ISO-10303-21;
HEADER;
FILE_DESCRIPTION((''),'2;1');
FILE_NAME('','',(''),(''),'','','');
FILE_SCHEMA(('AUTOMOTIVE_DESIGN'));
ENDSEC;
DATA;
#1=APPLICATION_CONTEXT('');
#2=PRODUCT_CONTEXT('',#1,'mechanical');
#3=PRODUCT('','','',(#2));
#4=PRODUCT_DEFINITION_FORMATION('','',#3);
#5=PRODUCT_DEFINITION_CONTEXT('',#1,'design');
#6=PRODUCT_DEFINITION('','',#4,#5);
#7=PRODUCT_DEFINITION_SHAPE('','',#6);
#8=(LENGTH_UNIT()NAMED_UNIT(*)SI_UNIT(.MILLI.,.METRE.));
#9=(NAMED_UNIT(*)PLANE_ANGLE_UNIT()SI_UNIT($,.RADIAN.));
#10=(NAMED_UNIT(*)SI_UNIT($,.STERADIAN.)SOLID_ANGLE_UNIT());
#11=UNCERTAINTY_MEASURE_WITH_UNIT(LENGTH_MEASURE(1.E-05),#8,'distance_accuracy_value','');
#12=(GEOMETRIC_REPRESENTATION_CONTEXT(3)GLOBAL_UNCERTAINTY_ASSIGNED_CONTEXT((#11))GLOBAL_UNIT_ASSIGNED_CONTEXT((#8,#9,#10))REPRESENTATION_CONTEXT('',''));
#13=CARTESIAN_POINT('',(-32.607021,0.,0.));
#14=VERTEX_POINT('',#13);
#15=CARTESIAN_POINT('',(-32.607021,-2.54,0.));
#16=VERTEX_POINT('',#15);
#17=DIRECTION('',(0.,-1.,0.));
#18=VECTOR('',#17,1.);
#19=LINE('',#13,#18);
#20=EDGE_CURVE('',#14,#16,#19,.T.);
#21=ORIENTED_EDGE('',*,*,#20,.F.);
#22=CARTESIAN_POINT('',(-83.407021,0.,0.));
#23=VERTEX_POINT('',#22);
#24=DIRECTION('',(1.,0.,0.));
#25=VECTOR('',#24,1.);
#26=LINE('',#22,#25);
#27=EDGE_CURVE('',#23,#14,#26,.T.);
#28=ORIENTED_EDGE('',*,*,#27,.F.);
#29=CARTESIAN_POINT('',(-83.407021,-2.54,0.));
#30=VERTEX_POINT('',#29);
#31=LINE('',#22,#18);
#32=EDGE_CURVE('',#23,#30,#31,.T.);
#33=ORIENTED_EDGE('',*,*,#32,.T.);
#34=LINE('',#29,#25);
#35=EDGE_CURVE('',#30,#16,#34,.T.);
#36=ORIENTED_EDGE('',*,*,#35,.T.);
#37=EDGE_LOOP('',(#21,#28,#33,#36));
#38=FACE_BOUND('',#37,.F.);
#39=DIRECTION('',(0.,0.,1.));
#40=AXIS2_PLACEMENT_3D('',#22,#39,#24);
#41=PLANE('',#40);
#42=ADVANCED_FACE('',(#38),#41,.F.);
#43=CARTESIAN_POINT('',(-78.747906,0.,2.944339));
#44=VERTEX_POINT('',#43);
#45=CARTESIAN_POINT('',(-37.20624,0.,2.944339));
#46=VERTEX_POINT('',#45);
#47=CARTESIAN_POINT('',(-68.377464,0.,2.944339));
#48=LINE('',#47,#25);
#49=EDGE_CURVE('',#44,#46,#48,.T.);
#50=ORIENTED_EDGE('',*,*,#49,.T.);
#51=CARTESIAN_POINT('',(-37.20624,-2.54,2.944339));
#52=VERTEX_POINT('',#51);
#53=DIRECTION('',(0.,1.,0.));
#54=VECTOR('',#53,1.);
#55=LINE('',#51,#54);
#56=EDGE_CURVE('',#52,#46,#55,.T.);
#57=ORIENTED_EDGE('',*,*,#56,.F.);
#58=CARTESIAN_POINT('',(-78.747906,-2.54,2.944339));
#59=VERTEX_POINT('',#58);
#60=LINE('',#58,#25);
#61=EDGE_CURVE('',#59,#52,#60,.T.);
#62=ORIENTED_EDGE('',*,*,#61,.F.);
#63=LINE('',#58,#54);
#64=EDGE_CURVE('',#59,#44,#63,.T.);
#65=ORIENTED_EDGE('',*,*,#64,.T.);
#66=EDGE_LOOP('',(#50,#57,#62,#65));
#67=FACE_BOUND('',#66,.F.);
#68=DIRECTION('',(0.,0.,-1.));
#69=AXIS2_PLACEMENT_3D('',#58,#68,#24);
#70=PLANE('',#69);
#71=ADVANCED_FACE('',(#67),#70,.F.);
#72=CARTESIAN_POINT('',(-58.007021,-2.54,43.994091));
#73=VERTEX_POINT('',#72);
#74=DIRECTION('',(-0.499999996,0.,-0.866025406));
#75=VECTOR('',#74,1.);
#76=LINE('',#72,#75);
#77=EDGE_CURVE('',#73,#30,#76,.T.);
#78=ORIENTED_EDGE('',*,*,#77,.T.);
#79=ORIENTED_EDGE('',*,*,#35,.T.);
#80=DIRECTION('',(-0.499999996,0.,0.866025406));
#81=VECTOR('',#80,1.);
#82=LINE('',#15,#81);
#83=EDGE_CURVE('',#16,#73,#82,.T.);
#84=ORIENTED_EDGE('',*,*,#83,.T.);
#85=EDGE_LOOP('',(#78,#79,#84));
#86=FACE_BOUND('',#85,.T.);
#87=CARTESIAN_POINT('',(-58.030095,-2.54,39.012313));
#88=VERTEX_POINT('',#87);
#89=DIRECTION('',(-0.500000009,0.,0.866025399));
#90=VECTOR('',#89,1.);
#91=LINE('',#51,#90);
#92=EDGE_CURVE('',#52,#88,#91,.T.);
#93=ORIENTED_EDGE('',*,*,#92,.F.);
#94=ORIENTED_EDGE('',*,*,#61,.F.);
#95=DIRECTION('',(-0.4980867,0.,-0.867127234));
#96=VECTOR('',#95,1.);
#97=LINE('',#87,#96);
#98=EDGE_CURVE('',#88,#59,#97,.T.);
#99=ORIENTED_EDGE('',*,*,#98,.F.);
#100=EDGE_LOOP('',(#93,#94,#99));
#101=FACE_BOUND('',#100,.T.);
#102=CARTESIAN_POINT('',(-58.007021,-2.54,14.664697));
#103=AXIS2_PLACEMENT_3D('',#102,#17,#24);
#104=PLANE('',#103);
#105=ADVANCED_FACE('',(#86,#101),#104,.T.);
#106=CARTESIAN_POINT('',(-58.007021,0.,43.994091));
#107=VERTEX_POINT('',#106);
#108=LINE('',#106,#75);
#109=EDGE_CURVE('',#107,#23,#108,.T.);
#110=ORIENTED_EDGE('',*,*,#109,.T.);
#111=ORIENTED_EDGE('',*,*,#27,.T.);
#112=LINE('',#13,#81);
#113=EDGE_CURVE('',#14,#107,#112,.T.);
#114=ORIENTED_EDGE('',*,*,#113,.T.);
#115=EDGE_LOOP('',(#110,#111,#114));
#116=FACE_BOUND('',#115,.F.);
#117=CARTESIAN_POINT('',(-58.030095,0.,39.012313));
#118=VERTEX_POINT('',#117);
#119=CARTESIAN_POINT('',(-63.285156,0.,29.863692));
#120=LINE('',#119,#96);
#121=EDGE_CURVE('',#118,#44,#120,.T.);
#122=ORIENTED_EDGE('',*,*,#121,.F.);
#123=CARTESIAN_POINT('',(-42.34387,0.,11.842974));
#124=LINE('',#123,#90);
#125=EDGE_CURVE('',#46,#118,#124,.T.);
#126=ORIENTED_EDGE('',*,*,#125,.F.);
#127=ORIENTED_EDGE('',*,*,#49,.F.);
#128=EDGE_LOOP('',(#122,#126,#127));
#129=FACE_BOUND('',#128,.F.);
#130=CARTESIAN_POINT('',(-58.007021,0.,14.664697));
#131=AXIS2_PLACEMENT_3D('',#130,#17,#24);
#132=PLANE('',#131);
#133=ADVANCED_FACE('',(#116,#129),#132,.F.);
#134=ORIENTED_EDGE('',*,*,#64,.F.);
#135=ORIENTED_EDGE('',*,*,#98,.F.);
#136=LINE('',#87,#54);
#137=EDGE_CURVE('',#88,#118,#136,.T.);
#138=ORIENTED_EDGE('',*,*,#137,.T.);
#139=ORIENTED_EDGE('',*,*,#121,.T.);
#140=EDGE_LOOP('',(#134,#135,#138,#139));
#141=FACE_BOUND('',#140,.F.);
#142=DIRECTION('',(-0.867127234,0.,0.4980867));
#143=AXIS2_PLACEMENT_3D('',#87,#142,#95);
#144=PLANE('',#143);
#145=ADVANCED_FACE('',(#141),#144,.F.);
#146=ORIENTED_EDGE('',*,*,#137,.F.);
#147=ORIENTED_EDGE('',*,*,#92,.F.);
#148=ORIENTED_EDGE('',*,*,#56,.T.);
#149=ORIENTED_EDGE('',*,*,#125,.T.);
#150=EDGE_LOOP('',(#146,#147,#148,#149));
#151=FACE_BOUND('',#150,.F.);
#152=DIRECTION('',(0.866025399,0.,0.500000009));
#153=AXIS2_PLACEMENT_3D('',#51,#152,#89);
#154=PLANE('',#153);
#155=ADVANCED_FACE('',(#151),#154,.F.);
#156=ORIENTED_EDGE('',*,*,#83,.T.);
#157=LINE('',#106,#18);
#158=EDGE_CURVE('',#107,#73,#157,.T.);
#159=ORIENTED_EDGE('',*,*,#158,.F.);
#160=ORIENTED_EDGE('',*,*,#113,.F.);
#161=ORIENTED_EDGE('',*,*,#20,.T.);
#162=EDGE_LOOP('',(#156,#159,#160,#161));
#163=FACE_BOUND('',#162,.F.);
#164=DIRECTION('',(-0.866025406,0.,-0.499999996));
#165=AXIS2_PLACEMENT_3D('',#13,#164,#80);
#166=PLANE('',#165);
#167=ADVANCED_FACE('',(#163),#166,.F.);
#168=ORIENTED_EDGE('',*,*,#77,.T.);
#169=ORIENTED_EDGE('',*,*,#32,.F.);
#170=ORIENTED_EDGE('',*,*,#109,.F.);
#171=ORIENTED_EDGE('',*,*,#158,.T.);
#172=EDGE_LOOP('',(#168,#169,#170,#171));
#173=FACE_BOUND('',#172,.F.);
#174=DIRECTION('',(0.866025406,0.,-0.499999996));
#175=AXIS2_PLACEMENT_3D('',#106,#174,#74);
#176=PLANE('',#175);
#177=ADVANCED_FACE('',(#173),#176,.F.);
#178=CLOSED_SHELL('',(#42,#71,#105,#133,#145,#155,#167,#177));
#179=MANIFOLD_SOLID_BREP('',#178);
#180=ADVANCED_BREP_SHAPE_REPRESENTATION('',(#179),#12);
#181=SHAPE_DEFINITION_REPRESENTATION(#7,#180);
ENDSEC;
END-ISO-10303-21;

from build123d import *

# Parameters (mm, degrees)
F1_DEPTH = 2.54
F3_DEPTH = 25.4


with BuildPart() as f1:
    # F0 (on Front) → F1 (new body)
    with BuildSketch(Plane.XZ):
        Polygon((-58.007021, 43.994091), (-83.407021, 0), (-32.607021, 0), align=None)
    extrude(amount=F1_DEPTH)

    # F2 (on face) → F3 (cut)
    with BuildSketch(Plane.XZ.offset(2.54)):
        Polygon((-37.20624, 2.944339), (-58.030095, 39.012313), (-78.747906, 2.944339), align=None)
    extrude(amount=-F3_DEPTH, mode=Mode.SUBTRACT)


solid = f1.part
